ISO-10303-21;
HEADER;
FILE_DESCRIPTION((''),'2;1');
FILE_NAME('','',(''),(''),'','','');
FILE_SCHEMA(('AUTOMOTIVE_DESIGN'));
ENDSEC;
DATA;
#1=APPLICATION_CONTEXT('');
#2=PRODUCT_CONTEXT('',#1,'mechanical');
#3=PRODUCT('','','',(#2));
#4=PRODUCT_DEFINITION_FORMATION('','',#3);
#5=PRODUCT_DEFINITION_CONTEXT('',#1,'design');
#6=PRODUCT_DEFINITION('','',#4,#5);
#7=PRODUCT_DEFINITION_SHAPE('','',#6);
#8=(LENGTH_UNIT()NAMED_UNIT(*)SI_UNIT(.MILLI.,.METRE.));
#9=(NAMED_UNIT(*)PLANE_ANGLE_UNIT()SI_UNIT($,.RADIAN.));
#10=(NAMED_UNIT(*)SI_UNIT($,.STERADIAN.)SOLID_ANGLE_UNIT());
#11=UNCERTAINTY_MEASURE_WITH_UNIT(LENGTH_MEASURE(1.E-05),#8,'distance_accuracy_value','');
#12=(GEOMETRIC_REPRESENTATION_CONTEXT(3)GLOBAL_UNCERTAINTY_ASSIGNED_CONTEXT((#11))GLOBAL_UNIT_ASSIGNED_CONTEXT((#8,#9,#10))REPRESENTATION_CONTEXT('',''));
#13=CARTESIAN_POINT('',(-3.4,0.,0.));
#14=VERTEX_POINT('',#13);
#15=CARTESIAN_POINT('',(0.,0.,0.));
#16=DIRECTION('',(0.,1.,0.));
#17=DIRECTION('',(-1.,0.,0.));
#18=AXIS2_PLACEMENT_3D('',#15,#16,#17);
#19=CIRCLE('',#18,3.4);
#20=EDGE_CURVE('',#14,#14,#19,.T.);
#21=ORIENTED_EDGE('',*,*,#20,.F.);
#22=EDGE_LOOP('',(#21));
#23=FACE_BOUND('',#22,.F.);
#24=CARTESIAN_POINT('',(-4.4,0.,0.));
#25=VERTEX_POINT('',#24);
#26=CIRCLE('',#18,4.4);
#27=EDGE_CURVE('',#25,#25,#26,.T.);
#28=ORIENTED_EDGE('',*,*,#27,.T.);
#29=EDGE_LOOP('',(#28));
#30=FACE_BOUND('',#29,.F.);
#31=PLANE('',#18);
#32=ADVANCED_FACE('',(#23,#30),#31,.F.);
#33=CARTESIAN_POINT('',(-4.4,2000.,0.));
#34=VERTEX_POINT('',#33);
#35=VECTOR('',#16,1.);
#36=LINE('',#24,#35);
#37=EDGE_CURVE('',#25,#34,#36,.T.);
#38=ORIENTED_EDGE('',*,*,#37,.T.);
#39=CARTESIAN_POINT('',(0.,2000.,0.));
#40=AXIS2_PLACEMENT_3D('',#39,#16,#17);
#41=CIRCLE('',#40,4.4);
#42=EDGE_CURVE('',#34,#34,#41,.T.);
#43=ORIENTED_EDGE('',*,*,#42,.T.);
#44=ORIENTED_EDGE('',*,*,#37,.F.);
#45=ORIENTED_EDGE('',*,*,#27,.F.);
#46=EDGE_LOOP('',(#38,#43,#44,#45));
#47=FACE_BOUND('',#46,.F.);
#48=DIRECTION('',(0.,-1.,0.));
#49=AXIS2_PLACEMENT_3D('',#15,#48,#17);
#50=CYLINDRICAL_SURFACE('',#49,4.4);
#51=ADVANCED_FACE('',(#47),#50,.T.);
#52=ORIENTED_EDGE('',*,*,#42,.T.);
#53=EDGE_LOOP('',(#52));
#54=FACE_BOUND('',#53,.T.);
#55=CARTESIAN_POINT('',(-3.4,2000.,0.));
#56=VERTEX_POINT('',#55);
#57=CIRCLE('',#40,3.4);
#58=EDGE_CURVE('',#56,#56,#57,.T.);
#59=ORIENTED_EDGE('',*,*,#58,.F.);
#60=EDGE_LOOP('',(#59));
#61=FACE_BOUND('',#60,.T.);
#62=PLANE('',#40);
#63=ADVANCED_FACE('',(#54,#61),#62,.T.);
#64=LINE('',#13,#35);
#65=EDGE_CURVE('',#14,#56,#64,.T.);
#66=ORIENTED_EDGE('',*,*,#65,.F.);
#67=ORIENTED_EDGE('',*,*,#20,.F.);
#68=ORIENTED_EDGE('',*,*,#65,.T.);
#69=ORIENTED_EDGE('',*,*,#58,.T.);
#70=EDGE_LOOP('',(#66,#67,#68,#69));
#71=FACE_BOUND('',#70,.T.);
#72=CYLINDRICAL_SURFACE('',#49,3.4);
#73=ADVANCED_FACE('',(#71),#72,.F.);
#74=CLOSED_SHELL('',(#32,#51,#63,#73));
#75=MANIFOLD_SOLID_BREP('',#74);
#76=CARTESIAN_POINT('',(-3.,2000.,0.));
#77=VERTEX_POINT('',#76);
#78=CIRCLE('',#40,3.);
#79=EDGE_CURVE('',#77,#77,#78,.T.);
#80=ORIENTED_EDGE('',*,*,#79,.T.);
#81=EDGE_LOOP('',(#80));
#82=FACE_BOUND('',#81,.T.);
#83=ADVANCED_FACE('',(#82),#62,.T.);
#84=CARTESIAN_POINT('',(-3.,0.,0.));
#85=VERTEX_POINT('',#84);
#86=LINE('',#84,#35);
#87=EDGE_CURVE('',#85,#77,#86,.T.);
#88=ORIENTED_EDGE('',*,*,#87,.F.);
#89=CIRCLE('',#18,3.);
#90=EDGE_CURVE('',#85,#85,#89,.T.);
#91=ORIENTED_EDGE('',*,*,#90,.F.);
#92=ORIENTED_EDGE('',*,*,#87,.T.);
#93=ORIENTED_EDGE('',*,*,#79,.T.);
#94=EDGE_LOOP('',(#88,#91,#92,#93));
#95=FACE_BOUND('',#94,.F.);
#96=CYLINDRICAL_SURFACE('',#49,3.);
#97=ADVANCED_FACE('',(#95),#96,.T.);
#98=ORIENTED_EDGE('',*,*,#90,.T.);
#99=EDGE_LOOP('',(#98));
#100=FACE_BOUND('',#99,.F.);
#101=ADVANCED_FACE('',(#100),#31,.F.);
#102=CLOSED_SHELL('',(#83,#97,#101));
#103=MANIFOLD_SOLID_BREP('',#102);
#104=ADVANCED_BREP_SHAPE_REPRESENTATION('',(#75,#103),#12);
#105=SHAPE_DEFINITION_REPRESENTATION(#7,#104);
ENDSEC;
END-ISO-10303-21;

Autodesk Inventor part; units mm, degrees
ref_plane "YZ Plane" through (0, 0, 0) normal (1, 0, 0) x (0, 1, 0)
ref_plane "XZ Plane" through (0, 0, 0) normal (0, 1, 0) x (-1, 0, 0)
ref_plane "XY Plane" through (0, 0, 0) normal (0, 0, 1) x (1, 0, 0)
sketch "Эскиз1" plane through (0, 0, 0) normal (0, 1, 0) x (-1, 0, 0)
  circle A0 centre (0, 0) radius 4.4
  circle A1 centre (0, 0) radius 3.4
  circle A2 centre (0, 0) radius 3
  dimension "d0" = 8.8
  dimension "d3" = 6.8
  dimension "d8" = 6
extrude "Выдавливание4" add sketch "Эскиз1" along normal blind 2000 contours A2
extrude "Выдавливание5" add sketch "Эскиз1" along normal blind 2000 contours A0
properties part number "wire"
